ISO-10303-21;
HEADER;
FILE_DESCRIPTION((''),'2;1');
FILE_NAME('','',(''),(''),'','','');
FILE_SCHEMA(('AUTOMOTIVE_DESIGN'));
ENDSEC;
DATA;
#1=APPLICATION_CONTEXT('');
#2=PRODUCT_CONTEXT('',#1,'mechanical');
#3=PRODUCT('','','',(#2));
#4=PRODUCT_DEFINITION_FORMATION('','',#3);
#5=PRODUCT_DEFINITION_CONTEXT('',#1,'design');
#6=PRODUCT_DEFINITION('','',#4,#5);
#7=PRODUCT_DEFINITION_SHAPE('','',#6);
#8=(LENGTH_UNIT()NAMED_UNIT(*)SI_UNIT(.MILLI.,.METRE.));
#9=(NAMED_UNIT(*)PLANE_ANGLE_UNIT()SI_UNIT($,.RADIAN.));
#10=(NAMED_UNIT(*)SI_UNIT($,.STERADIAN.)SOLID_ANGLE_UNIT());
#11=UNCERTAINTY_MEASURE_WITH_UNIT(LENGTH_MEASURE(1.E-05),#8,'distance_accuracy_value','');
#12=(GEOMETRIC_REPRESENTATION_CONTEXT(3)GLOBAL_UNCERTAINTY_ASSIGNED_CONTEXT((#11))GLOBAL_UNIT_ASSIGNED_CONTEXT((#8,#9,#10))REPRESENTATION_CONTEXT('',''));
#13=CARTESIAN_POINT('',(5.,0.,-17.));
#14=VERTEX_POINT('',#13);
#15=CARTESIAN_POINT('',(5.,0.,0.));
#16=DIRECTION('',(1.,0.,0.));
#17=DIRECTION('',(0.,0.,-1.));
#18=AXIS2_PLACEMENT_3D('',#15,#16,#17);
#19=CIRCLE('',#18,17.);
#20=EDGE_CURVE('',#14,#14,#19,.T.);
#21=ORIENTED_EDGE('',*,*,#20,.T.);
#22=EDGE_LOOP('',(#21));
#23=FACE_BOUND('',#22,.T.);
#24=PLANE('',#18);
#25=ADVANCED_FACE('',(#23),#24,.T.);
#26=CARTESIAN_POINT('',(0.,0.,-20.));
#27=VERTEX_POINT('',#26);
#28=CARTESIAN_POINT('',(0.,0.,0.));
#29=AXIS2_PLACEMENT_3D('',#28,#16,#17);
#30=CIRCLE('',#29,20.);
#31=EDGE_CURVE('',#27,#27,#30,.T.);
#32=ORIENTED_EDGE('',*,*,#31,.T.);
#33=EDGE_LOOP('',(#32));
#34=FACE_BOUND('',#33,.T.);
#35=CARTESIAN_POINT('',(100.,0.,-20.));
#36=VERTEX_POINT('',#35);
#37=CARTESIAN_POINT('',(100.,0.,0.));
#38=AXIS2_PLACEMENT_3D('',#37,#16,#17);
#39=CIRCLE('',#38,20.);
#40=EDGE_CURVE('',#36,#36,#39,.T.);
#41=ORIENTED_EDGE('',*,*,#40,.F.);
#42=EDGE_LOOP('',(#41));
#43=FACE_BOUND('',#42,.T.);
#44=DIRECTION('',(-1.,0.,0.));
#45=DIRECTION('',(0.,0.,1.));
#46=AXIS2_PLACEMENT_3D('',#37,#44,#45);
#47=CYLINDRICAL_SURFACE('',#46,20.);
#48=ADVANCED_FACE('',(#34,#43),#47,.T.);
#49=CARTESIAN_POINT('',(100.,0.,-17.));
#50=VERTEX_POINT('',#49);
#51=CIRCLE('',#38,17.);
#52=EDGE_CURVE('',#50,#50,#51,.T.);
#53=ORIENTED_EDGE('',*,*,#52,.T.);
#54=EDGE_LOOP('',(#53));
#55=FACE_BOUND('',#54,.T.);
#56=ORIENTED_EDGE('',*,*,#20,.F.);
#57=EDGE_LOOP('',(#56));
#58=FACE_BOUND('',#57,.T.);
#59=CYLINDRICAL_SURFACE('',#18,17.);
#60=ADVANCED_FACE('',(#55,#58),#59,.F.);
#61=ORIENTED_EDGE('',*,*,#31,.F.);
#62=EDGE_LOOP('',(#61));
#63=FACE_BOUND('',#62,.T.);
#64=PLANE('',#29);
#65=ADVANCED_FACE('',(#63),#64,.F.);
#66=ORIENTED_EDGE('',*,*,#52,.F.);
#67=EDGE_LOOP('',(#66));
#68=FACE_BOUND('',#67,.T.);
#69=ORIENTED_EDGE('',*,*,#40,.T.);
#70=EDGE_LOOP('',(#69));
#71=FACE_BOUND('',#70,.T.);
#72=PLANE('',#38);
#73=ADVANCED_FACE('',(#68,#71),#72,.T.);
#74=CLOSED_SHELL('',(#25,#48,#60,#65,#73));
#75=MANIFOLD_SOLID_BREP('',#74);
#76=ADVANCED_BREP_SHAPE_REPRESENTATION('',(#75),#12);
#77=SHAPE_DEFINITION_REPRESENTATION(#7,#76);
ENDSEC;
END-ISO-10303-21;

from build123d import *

# Parameters (mm, degrees)
SKETCH1_R           = 20
BOSS_EXTRUDE1_DEPTH = 100
SKETCH2_R           = 17
CUT_EXTRUDE1_DEPTH  = 95


with BuildPart() as part:
    # Sketch1 → Boss-Extrude1 (new body)
    with BuildSketch(Plane(origin=(0, 0, 0), x_dir=(0, 0, -1), z_dir=(1, 0, 0))):
        Circle(SKETCH1_R)
    extrude(amount=BOSS_EXTRUDE1_DEPTH)

    # Sketch2 → Cut-Extrude1 (cut)
    with BuildSketch(Plane(origin=(100, 0, 0), x_dir=(0, 0, -1), z_dir=(1, 0, 0))):
        Circle(SKETCH2_R)
    extrude(amount=-CUT_EXTRUDE1_DEPTH, mode=Mode.SUBTRACT)


solid = part.part
